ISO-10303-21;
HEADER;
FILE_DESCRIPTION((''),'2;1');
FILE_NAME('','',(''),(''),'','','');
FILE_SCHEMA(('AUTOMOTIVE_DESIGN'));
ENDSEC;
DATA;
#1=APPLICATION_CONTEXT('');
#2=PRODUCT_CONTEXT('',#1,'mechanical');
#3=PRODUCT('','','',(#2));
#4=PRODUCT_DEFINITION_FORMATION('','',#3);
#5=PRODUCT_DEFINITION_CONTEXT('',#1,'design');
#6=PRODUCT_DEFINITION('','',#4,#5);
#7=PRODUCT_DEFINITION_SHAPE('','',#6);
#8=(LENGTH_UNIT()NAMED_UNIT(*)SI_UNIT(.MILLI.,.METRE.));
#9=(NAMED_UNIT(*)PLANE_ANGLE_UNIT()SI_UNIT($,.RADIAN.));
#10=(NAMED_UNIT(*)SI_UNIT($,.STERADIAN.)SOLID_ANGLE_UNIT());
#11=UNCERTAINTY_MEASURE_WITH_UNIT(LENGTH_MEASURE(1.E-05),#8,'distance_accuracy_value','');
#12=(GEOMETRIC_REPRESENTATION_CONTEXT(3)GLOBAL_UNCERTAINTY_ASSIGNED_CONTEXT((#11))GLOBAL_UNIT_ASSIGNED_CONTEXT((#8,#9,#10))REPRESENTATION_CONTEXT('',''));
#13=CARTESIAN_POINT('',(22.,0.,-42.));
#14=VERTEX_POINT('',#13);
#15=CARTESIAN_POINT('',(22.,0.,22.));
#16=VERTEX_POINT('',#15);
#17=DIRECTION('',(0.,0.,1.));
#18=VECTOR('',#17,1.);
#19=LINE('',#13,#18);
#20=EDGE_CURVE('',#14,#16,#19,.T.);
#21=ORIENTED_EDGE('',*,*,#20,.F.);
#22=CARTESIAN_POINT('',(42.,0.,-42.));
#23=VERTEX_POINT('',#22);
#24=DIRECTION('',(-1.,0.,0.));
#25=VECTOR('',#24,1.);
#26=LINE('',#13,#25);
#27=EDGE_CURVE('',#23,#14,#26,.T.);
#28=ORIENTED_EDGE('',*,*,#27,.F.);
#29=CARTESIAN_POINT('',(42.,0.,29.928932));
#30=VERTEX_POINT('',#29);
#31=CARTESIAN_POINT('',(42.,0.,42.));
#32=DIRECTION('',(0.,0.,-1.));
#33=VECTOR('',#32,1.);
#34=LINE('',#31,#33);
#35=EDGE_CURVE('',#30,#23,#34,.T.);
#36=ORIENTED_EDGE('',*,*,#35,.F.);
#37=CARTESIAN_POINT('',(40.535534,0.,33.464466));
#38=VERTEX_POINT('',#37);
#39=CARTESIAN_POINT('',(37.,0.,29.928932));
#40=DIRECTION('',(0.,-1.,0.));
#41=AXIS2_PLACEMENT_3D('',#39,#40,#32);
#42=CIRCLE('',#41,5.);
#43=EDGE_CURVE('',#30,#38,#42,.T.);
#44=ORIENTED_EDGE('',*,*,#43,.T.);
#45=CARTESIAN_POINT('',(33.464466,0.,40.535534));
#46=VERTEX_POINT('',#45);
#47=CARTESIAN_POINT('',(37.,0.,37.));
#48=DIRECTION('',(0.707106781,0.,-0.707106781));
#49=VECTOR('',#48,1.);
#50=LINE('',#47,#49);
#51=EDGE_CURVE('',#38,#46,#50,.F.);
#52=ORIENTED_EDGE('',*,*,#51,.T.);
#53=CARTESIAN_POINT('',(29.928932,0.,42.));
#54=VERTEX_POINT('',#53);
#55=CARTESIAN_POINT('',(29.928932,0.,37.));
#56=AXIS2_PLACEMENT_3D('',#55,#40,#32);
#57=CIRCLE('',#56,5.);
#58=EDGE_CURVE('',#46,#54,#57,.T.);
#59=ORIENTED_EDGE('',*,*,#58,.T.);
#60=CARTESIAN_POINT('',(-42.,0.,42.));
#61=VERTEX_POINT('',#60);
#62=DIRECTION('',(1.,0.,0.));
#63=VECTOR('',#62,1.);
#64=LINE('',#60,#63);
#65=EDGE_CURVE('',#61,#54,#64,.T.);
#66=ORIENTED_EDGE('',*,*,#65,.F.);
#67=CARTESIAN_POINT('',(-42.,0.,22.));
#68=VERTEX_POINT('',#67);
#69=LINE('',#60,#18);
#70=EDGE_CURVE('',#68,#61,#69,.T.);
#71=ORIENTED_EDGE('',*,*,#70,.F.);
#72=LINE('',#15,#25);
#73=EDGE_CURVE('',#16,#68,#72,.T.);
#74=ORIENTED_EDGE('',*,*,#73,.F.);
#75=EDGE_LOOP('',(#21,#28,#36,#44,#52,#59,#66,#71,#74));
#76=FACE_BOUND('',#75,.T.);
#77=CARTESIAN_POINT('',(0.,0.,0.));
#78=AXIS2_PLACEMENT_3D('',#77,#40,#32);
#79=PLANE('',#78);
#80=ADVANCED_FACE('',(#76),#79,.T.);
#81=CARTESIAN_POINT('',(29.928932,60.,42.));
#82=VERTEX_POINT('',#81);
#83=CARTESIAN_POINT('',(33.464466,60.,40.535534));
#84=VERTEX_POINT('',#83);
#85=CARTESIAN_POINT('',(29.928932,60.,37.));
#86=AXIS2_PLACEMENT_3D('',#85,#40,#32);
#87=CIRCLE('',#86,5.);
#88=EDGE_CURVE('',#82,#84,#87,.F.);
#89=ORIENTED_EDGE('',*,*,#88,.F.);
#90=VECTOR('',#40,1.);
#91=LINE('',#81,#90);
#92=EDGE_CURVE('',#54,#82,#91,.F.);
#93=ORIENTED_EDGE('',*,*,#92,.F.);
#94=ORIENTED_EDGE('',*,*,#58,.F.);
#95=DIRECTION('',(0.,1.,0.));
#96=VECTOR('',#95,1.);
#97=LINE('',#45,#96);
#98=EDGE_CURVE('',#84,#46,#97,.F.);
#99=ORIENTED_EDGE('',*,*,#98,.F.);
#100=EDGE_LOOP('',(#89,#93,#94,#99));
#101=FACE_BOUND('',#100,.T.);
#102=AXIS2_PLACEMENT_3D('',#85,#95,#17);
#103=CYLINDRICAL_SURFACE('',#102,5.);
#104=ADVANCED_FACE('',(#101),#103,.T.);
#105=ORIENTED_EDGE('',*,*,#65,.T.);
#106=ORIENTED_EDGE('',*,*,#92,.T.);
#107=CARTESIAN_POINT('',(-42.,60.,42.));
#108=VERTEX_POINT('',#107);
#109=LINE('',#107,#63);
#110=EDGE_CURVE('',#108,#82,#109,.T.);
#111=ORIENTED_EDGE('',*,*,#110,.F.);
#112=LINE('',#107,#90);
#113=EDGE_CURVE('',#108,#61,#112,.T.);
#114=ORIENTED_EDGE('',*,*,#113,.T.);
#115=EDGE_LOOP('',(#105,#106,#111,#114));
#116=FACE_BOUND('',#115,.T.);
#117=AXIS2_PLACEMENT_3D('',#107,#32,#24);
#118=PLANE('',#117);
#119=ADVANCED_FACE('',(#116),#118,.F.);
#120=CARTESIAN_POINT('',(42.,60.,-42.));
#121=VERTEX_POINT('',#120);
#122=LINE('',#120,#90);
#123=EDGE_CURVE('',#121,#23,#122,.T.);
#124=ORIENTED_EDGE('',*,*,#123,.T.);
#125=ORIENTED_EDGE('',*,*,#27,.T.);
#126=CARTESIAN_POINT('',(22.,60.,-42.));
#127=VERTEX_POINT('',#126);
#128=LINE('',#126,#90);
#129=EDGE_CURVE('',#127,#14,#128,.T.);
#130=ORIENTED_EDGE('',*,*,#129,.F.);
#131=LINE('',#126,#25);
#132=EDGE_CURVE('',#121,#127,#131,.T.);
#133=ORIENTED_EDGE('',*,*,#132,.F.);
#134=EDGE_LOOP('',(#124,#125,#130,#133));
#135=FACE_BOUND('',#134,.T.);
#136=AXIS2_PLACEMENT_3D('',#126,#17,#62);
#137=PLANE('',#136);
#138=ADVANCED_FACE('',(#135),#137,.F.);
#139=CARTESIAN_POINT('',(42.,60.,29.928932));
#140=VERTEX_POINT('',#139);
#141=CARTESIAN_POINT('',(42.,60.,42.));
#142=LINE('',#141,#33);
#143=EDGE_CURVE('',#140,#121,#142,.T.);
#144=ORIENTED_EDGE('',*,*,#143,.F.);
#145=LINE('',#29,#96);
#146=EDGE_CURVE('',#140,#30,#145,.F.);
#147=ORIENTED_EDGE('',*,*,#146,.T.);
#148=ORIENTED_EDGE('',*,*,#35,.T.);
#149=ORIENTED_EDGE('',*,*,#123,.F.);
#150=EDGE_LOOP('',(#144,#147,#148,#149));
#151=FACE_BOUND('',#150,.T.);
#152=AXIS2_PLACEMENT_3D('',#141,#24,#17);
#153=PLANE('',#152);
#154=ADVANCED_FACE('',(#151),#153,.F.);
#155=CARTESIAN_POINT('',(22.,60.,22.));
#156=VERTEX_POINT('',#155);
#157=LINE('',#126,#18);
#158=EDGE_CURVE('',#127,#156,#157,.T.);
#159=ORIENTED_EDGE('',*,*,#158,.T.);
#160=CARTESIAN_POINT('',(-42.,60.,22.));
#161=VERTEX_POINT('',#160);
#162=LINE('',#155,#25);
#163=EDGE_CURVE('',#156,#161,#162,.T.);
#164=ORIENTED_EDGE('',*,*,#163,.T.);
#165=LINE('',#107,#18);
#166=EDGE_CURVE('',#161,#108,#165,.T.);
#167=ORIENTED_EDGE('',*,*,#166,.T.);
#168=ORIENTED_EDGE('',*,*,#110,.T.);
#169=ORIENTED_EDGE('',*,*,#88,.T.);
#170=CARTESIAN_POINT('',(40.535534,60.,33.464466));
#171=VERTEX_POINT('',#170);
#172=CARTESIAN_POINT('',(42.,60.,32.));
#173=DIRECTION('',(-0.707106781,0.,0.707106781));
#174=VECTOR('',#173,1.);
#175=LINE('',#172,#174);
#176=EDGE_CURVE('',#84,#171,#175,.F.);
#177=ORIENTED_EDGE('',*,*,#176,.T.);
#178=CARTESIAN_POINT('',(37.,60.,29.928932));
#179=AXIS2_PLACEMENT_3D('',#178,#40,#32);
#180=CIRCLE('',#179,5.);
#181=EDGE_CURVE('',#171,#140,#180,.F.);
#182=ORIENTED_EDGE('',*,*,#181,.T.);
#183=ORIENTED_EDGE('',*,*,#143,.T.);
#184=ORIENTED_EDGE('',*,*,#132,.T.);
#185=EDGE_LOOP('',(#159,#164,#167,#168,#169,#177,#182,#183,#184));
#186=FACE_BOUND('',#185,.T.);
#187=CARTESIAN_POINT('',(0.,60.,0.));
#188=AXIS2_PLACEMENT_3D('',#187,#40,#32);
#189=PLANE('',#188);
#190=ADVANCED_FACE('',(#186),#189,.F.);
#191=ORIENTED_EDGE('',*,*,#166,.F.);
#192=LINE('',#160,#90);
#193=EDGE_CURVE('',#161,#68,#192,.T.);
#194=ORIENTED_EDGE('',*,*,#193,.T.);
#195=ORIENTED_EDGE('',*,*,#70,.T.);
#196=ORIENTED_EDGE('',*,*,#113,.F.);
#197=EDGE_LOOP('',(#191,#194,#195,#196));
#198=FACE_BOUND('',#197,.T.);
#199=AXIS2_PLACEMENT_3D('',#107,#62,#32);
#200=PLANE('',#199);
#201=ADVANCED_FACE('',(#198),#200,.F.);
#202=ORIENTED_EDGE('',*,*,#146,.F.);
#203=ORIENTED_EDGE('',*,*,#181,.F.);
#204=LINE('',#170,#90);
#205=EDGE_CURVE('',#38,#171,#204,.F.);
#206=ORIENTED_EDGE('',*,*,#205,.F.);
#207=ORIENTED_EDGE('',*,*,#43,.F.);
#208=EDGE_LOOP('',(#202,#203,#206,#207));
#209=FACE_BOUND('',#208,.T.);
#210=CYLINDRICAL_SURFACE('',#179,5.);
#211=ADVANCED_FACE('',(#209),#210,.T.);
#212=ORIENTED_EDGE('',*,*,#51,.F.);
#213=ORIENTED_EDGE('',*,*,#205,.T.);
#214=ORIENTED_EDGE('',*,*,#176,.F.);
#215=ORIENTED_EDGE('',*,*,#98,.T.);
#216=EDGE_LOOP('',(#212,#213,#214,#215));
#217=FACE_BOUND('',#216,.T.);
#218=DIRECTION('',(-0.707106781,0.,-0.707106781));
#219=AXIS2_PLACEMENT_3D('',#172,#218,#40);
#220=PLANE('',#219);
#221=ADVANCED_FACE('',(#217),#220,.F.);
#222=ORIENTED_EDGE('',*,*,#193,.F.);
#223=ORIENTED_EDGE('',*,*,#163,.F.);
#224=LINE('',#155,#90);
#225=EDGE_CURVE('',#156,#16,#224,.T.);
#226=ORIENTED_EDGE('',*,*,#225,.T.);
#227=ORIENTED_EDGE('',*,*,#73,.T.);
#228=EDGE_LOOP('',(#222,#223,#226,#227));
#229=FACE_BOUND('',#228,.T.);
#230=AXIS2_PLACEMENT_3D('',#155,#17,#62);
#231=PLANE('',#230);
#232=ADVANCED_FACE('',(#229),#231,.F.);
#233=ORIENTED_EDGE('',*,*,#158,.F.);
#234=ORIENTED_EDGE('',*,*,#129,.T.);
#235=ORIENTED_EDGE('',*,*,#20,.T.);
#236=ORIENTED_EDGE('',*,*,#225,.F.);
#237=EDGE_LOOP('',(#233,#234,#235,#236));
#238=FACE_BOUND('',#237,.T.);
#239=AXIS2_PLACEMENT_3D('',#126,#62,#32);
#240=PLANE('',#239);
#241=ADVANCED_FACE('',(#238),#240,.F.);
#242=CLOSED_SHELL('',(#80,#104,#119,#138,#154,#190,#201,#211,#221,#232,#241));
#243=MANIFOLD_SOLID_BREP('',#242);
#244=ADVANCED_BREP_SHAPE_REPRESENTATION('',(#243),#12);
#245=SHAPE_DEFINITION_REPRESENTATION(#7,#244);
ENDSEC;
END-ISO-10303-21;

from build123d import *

# Parameters (mm, degrees)
BOSS_EXTRUDE1_DEPTH = 60
CHAMFER1_SIZE       = 10
FILLET1_R           = 5


with BuildPart() as part:
    # Sketch1 → Boss-Extrude1 (new body)
    with BuildSketch(Plane(origin=(0, 0, 0), x_dir=(1, 0, 0), z_dir=(0, 1, 0))):
        Polygon((22, 42), (22, -22), (-42, -22), (-42, -42), (42, -42), (42, 42), align=None)
    extrude(amount=BOSS_EXTRUDE1_DEPTH)

    # Chamfer1
    chamfer1_edges = [part.edges().sort_by_distance(p)[0] for p in [
        (42, 30, 42),
    ]]
    chamfer(chamfer1_edges, length=CHAMFER1_SIZE)

    # Fillet1
    fillet1_edges = [part.edges().sort_by_distance(p)[0] for p in [
        (42, 30, 32),
        (32, 30, 42),
    ]]
    fillet(fillet1_edges, radius=FILLET1_R)


solid = part.part
